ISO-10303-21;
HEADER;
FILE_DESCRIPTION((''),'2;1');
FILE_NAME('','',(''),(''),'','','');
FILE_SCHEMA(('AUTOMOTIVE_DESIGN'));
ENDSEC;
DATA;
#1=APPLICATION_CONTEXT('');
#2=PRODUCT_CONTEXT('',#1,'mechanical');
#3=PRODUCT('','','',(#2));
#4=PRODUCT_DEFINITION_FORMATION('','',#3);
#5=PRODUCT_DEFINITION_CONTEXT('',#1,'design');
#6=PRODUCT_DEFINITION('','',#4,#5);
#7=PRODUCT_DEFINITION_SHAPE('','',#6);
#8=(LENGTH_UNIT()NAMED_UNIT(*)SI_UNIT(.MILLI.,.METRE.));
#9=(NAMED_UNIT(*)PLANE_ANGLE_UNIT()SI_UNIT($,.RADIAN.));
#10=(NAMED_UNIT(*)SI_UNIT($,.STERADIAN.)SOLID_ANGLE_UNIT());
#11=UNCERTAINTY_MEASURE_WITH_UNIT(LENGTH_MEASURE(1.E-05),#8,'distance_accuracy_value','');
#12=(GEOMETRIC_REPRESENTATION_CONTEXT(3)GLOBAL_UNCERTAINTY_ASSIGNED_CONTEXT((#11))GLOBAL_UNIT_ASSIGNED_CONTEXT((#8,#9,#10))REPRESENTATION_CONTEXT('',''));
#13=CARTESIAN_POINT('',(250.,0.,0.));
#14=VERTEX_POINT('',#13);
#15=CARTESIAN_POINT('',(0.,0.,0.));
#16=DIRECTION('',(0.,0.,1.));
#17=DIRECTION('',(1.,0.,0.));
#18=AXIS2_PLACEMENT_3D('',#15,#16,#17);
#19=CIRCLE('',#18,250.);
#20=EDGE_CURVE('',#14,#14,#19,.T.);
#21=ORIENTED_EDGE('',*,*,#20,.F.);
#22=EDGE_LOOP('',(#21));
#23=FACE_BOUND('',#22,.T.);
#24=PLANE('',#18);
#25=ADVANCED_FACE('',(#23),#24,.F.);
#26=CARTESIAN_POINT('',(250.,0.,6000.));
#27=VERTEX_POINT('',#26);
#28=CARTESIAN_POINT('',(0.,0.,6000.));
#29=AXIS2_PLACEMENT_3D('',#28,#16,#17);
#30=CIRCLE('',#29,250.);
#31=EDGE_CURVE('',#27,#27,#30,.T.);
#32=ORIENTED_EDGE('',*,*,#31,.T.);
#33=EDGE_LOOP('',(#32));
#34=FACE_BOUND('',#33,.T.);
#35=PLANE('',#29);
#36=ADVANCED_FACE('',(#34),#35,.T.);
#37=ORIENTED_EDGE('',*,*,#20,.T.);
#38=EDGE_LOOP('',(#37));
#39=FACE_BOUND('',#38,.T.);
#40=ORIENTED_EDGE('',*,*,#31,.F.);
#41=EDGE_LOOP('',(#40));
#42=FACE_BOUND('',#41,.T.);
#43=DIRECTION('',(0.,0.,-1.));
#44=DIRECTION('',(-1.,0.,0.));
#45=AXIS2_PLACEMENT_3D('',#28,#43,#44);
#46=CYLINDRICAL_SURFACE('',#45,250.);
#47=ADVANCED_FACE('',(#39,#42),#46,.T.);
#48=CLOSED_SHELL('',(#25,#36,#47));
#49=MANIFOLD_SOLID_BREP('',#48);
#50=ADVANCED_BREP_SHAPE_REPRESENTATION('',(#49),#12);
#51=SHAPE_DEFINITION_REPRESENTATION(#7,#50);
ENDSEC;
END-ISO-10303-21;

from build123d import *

# Parameters (mm, degrees)
ESBO_O1_R                = 250
RESSALTO_EXTRUS_O1_DEPTH = 6000


with BuildPart() as part:
    # Esboço1 → Ressalto-extrusão1 (new body)
    with BuildSketch(Plane.XY):
        Circle(ESBO_O1_R)
    extrude(amount=RESSALTO_EXTRUS_O1_DEPTH)


solid = part.part
